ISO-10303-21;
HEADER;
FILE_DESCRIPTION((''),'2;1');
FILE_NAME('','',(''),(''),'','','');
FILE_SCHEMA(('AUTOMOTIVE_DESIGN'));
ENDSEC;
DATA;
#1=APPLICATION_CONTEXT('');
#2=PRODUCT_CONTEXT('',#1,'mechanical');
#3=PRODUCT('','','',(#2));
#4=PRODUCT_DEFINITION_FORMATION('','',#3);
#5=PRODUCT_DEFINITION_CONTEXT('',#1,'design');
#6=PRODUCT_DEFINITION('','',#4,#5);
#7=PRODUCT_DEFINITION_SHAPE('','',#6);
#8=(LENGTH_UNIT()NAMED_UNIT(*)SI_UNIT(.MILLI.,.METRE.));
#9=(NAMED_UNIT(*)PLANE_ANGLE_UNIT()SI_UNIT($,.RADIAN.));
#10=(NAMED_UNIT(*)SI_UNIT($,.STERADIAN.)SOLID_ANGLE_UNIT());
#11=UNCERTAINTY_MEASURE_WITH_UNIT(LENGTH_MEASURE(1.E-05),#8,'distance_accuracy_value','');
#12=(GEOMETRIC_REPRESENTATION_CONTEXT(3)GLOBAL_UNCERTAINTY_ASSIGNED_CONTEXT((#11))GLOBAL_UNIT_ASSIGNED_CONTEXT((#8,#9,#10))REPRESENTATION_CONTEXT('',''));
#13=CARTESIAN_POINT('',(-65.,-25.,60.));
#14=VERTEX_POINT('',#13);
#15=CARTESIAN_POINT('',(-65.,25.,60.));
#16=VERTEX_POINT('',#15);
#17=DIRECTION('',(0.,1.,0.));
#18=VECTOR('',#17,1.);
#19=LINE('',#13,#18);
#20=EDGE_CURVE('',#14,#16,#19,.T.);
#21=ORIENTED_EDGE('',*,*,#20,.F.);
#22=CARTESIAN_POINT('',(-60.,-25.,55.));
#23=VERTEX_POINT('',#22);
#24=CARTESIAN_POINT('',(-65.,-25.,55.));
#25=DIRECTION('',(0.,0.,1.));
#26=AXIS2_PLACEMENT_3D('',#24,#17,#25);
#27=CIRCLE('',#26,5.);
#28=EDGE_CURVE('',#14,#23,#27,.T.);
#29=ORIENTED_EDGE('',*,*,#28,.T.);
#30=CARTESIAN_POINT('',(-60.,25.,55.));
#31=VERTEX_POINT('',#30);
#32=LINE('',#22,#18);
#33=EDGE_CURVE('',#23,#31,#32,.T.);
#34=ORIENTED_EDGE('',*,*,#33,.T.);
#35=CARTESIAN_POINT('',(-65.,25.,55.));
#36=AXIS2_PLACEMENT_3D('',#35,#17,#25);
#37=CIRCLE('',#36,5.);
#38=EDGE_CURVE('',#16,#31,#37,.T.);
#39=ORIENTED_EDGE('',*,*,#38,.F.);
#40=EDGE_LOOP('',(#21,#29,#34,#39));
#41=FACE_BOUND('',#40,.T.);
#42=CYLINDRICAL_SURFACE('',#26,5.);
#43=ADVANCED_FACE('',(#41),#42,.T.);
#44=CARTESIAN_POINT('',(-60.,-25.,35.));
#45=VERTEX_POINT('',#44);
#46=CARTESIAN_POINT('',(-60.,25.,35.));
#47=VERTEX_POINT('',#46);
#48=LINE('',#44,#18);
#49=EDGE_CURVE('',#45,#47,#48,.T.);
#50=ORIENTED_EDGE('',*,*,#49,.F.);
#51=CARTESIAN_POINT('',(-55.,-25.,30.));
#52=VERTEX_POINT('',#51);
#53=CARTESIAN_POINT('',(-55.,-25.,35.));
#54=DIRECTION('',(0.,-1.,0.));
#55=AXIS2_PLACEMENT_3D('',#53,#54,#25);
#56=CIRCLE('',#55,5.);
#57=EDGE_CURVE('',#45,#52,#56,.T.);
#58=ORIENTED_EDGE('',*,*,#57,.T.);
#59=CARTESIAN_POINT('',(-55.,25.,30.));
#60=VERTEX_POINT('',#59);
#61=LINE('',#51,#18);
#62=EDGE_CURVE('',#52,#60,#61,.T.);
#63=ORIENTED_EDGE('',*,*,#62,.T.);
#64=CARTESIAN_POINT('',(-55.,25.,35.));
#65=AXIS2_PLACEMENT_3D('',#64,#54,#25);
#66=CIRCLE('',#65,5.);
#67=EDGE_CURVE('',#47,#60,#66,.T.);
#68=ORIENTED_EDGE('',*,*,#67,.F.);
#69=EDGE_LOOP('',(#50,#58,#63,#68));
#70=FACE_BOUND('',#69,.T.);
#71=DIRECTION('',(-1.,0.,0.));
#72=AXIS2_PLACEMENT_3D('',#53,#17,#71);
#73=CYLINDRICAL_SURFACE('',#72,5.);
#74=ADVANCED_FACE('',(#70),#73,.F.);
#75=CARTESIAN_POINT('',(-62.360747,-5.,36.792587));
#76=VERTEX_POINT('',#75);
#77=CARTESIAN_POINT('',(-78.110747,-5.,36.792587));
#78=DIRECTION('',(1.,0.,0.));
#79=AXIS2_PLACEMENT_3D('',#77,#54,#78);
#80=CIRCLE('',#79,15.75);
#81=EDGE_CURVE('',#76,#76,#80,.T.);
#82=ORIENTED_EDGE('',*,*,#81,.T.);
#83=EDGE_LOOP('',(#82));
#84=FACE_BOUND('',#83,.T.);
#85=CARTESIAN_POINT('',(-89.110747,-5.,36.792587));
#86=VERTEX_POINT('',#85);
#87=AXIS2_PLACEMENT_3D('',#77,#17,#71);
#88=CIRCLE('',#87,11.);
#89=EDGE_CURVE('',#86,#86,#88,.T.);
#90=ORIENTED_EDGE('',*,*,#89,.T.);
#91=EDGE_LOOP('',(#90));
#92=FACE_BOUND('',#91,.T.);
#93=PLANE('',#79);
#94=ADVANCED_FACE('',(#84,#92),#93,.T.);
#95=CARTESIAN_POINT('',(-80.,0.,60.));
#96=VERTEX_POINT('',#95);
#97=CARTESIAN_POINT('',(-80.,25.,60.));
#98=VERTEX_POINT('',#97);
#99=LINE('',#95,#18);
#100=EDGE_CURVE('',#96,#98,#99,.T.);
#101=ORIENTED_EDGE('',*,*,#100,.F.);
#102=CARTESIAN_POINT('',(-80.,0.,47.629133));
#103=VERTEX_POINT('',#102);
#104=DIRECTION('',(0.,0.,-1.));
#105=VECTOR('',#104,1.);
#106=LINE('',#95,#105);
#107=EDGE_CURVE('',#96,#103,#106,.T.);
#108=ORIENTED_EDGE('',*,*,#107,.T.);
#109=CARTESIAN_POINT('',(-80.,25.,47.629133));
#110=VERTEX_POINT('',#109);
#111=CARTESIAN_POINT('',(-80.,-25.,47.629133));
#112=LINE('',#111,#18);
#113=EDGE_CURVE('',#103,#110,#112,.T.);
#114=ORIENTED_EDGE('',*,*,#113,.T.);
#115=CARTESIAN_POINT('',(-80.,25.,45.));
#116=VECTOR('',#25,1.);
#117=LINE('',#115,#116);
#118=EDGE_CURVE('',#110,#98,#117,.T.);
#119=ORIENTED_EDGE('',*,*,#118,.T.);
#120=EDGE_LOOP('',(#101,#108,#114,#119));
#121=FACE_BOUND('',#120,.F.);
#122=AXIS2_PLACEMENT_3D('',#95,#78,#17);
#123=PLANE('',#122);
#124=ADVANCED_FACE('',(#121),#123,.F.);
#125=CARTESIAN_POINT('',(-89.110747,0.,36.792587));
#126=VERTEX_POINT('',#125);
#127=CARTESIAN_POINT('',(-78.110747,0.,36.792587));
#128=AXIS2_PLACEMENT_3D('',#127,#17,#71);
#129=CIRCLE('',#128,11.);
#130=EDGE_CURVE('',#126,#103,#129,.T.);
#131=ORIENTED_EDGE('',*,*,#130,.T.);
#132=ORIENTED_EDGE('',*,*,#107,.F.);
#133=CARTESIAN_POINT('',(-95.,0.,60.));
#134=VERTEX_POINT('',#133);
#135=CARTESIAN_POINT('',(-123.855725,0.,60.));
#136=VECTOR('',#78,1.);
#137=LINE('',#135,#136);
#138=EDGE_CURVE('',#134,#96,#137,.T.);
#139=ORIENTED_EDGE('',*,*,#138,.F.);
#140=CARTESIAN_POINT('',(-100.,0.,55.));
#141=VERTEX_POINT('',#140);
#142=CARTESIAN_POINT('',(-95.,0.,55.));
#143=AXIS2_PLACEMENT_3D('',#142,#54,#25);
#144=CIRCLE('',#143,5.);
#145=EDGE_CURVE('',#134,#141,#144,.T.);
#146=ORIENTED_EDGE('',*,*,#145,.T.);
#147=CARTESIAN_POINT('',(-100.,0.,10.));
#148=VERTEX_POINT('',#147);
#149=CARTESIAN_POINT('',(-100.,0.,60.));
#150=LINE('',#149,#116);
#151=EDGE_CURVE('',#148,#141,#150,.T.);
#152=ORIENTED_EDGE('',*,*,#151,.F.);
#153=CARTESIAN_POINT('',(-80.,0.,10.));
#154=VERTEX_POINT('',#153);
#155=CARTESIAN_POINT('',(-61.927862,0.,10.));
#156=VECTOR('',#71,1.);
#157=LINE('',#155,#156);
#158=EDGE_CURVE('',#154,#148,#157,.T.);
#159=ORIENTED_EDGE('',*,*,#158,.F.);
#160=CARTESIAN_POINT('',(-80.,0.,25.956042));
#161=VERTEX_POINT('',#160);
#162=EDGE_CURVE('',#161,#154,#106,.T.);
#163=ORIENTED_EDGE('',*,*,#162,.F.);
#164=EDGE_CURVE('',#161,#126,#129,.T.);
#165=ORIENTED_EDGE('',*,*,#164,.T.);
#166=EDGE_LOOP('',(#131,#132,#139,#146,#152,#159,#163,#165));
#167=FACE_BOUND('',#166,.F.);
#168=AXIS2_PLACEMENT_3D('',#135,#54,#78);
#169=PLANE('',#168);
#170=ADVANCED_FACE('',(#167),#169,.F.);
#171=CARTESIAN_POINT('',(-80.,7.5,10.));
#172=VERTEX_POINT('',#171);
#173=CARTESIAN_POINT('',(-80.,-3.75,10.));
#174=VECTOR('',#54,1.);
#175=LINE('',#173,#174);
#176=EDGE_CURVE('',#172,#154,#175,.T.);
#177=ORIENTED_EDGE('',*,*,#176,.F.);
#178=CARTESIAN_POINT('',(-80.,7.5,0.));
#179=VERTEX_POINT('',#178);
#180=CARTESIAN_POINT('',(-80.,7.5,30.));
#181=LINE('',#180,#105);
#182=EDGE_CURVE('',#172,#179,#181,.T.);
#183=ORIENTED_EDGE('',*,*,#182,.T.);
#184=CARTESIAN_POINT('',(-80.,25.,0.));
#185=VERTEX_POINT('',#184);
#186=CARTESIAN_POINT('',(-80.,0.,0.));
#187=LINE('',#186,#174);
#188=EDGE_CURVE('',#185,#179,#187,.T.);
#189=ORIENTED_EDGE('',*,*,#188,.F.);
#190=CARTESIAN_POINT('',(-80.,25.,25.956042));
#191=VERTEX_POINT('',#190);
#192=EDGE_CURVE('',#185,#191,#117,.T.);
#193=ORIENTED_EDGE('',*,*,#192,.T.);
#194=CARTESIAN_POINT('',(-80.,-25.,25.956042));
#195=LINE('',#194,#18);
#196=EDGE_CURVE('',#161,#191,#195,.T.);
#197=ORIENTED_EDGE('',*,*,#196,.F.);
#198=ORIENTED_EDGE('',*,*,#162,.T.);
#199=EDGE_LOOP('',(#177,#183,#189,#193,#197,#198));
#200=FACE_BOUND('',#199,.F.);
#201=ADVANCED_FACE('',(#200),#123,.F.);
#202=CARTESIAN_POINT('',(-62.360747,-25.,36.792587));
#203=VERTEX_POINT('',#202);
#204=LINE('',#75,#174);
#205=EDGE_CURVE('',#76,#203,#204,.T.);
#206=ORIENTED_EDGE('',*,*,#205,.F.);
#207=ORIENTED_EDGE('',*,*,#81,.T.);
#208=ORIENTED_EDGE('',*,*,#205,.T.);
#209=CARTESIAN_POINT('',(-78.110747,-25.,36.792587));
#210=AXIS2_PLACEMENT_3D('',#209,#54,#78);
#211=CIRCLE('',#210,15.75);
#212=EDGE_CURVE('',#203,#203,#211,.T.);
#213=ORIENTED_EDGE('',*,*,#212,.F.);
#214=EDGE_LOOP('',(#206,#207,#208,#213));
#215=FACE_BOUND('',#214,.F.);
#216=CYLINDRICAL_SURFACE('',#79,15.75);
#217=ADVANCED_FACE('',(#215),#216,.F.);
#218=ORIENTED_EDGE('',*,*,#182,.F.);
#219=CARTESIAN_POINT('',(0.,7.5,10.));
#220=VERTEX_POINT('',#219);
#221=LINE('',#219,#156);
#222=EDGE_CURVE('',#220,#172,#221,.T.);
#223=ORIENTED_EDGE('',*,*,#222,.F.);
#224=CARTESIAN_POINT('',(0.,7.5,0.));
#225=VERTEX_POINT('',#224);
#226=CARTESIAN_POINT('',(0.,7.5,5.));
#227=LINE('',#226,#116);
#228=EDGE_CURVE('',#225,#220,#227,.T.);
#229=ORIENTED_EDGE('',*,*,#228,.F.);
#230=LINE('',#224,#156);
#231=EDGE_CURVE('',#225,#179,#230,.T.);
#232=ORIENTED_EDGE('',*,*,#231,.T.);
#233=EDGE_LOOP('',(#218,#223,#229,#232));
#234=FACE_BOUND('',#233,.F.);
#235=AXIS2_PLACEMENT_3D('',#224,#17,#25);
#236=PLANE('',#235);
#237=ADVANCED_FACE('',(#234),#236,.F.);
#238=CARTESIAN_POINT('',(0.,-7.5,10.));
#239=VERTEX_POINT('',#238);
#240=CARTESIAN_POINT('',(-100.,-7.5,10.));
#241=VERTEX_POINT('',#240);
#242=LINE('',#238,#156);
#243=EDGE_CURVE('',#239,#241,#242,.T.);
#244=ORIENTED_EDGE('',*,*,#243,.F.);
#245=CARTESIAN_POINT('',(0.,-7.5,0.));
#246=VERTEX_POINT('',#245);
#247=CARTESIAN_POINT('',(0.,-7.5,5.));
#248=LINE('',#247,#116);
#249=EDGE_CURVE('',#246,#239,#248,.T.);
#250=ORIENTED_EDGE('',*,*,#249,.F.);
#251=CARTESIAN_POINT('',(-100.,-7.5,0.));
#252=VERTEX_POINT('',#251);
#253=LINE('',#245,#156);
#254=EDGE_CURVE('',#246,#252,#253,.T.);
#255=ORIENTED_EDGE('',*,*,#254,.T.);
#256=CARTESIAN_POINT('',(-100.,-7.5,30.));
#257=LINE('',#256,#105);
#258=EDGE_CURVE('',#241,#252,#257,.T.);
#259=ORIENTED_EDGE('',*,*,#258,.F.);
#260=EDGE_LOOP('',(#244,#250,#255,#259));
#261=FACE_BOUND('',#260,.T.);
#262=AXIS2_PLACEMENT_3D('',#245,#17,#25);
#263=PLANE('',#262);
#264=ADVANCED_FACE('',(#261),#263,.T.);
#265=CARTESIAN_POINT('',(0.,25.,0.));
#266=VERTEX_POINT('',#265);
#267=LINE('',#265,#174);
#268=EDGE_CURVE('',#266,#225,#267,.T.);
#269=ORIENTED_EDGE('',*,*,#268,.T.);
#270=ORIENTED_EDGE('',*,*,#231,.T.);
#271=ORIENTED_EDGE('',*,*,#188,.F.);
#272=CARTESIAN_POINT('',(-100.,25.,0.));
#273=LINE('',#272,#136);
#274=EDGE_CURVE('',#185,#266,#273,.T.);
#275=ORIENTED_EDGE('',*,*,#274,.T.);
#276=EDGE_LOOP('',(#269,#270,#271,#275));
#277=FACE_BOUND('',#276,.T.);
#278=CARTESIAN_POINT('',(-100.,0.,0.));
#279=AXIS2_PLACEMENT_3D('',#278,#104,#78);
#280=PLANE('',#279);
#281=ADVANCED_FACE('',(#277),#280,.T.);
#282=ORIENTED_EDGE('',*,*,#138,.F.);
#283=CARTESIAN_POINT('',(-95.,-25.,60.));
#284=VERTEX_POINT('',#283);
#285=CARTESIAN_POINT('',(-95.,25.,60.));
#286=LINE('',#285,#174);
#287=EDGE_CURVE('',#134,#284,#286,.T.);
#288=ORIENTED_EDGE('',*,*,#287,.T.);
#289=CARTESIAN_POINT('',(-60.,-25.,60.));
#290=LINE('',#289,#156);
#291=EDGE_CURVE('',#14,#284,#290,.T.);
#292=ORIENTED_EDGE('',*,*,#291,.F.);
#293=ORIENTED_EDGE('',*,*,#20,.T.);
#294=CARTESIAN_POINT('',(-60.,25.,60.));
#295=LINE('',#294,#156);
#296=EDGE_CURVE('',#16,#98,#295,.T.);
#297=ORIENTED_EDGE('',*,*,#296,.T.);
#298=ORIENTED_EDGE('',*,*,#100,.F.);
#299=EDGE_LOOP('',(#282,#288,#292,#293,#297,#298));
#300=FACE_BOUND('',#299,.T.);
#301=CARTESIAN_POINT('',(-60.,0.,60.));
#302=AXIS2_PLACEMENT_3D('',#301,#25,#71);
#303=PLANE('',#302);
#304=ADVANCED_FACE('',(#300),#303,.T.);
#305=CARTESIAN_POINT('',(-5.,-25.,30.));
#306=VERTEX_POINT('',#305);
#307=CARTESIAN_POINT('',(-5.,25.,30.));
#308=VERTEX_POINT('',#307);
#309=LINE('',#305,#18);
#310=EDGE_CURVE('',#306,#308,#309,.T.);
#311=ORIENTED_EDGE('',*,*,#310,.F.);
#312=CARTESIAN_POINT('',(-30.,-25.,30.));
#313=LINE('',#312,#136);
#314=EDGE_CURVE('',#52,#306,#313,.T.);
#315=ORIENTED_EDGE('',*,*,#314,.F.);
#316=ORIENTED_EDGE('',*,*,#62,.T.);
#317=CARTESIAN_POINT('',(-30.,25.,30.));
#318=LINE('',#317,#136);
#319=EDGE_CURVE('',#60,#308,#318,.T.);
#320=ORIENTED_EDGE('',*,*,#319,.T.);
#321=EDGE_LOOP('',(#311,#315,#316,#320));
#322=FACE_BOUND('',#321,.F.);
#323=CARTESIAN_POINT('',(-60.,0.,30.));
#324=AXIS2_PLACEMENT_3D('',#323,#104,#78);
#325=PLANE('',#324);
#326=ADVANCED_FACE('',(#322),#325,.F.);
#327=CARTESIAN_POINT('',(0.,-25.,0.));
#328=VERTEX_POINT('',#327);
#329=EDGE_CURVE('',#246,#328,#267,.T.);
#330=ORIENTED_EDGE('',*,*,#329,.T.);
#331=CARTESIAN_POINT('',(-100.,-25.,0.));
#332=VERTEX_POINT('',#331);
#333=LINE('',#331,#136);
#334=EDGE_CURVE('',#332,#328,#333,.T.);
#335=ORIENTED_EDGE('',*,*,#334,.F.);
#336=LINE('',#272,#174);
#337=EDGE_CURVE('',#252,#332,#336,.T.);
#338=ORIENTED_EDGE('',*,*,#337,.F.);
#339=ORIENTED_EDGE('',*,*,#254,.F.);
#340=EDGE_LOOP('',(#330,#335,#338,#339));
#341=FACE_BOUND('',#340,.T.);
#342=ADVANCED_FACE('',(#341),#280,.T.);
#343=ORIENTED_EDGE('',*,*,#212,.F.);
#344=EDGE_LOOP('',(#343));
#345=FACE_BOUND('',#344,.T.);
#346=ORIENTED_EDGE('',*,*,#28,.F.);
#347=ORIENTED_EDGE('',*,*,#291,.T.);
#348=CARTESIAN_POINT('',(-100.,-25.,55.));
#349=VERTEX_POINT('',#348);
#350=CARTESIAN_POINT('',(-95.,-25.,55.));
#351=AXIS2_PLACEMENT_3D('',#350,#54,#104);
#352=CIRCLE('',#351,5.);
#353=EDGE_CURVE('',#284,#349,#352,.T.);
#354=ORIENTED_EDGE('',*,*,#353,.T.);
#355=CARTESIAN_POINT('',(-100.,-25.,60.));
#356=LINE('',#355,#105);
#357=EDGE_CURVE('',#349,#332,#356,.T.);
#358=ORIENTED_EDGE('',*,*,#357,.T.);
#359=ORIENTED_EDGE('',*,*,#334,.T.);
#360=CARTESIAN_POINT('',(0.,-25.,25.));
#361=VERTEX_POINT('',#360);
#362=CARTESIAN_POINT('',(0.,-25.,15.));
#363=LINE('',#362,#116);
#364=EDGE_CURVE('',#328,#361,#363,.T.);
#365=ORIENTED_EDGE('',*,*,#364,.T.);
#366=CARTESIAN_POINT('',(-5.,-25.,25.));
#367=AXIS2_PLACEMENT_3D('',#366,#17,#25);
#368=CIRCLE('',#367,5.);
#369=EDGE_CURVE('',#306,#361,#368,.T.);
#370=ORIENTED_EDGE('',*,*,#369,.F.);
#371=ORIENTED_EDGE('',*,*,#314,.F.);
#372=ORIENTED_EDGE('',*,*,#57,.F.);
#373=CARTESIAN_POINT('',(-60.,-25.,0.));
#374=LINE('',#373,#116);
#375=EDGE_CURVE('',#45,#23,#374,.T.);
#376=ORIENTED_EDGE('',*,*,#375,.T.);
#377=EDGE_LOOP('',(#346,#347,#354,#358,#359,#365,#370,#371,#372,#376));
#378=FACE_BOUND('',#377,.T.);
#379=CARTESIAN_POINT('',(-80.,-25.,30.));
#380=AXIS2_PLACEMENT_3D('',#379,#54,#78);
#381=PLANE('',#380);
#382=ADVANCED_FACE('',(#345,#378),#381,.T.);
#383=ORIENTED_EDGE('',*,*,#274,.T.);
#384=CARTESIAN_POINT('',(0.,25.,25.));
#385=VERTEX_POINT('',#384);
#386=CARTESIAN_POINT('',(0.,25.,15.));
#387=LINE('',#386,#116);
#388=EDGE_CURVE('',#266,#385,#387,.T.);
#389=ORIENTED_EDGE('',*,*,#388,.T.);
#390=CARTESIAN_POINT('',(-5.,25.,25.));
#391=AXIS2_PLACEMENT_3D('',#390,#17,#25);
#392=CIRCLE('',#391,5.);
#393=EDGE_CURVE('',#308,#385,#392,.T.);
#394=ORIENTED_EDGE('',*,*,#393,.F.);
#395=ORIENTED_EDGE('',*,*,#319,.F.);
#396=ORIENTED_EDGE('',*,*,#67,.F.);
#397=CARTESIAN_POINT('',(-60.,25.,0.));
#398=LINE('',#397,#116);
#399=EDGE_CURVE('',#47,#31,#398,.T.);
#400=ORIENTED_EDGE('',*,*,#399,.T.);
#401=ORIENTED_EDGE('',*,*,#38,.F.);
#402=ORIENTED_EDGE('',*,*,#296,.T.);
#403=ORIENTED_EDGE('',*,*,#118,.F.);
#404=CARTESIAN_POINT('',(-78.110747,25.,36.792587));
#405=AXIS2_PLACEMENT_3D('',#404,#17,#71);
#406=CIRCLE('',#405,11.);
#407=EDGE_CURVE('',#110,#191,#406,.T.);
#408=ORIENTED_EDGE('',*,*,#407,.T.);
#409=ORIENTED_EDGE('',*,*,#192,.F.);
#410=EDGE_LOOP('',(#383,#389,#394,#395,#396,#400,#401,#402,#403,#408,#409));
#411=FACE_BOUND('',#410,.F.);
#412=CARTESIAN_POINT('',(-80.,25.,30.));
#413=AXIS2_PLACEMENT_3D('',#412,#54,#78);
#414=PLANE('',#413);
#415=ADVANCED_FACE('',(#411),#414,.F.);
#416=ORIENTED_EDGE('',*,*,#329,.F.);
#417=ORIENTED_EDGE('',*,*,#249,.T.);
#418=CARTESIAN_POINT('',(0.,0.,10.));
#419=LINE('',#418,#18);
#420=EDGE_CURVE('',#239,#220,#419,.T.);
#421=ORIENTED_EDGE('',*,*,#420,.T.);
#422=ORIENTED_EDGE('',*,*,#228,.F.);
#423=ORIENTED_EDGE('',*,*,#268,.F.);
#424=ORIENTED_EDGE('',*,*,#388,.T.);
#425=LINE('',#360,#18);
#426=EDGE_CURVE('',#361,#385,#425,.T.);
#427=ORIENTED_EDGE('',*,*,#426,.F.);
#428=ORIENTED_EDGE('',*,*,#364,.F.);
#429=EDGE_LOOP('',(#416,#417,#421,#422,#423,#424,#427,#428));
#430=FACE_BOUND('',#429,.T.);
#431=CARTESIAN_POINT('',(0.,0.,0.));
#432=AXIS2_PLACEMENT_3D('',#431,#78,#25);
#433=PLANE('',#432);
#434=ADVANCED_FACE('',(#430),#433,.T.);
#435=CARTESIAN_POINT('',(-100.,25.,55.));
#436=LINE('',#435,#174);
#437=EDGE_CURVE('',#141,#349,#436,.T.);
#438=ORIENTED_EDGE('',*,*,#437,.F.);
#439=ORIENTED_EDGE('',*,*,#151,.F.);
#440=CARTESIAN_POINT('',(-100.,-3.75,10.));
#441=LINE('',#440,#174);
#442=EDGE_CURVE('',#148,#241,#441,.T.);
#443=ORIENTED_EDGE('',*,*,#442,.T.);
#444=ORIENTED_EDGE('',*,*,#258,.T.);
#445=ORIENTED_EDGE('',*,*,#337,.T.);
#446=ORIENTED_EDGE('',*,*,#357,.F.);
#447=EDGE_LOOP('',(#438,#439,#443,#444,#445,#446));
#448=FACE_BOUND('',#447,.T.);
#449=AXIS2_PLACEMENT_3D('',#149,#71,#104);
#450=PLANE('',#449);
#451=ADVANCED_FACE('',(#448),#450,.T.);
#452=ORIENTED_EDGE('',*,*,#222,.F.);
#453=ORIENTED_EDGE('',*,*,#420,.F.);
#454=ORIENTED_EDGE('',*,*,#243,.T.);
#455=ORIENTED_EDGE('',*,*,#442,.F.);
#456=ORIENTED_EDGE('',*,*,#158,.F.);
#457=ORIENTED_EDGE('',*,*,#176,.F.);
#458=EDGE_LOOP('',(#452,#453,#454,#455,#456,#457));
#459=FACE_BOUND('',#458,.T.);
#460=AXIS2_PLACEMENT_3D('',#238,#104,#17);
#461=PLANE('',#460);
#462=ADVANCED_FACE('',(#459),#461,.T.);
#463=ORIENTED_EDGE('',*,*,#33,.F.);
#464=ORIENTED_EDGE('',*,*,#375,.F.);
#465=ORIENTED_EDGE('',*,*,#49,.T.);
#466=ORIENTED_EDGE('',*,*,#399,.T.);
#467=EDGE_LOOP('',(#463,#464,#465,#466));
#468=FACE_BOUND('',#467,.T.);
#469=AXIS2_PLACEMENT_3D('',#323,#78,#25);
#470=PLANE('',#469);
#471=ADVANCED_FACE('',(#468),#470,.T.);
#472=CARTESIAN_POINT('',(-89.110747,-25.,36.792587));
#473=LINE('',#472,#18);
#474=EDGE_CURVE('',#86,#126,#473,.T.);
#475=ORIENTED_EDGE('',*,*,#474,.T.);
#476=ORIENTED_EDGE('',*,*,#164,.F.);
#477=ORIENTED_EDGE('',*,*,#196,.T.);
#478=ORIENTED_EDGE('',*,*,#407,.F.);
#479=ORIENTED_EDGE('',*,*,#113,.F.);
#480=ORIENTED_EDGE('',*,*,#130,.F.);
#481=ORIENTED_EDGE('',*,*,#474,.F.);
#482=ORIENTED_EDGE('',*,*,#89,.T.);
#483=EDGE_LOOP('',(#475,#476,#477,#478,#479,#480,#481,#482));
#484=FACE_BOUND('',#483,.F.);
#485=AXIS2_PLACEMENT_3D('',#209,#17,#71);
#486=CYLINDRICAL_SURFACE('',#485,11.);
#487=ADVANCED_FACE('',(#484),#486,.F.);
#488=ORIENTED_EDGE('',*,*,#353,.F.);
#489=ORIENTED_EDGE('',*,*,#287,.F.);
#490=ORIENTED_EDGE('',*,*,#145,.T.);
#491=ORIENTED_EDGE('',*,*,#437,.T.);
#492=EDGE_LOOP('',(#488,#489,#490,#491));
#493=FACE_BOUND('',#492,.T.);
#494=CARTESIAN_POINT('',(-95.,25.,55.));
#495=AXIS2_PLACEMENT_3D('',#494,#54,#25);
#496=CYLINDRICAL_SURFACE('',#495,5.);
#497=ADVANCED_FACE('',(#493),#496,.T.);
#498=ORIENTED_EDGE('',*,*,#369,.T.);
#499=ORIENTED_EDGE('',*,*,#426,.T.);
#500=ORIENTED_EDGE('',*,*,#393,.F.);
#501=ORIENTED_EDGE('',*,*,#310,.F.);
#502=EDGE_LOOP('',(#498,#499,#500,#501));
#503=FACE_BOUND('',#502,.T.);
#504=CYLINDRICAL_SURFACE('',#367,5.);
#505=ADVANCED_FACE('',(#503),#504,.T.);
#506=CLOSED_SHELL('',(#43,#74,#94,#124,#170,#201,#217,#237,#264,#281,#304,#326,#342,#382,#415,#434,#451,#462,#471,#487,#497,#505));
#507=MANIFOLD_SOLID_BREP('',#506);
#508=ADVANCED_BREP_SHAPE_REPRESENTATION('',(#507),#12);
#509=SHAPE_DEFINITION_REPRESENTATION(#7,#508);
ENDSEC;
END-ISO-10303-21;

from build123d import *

# Parameters (mm, degrees)
F0_W           = 60
F0_H           = 30
F1_DEPTH       = 25
F2_R           = 5
F4_D           = 22
F4_CBORE_D     = 31.5
F4_CBORE_DEPTH = 20
F5_W           = 15
F5_H           = 10
F6_DEPTH       = 100.001
F7_W           = 15
F7_H           = 25
F8_DEPTH       = 60.001


with BuildPart() as f1:
    # F0 (on Front) → F1 (new body, symmetric)
    with BuildSketch(Plane.XZ):
        Polygon((-60, 60), (-100, 60), (-100, 0), (-60, 0), (-60, 30), align=None)
        with Locations((-30, 15)):
            Rectangle(F0_W, F0_H)
    extrude(amount=F1_DEPTH, both=True)

    # F2
    f2_edges = [f1.edges().sort_by_distance(p)[0] for p in [
        (-60, 0, 30),
        (-60, 0, 60),
        (0, 0, 30),
        (-100, 0, 60),
    ]]
    fillet(f2_edges, radius=F2_R)

    # F4 (through all)
    with Locations(Plane.XZ.offset(25)):
        with Locations((-78.1107470393, 36.7925874889)):
            CounterBoreHole(F4_D / 2, F4_CBORE_D / 2, F4_CBORE_DEPTH)

    # F5 (on face) → F6 (cut, through all)
    with BuildSketch(Plane.YZ):
        with Locations((0, 5)):
            Rectangle(F5_W, F5_H)
    extrude(amount=-F6_DEPTH, mode=Mode.SUBTRACT)

    # F7 (on face) → F8 (cut, through all)
    with BuildSketch(Plane.XY.offset(60)):
        Polygon((-80, 47.3070815206), (-123.8557249308, 47.3070815206), (-123.8557249308, 0), (-95, 0), (-95, 25), (-80, 25), align=None)
        with Locations((-87.5, 12.5)):
            Rectangle(F7_W, F7_H)
    extrude(amount=-F8_DEPTH, mode=Mode.SUBTRACT)


solid = f1.part
